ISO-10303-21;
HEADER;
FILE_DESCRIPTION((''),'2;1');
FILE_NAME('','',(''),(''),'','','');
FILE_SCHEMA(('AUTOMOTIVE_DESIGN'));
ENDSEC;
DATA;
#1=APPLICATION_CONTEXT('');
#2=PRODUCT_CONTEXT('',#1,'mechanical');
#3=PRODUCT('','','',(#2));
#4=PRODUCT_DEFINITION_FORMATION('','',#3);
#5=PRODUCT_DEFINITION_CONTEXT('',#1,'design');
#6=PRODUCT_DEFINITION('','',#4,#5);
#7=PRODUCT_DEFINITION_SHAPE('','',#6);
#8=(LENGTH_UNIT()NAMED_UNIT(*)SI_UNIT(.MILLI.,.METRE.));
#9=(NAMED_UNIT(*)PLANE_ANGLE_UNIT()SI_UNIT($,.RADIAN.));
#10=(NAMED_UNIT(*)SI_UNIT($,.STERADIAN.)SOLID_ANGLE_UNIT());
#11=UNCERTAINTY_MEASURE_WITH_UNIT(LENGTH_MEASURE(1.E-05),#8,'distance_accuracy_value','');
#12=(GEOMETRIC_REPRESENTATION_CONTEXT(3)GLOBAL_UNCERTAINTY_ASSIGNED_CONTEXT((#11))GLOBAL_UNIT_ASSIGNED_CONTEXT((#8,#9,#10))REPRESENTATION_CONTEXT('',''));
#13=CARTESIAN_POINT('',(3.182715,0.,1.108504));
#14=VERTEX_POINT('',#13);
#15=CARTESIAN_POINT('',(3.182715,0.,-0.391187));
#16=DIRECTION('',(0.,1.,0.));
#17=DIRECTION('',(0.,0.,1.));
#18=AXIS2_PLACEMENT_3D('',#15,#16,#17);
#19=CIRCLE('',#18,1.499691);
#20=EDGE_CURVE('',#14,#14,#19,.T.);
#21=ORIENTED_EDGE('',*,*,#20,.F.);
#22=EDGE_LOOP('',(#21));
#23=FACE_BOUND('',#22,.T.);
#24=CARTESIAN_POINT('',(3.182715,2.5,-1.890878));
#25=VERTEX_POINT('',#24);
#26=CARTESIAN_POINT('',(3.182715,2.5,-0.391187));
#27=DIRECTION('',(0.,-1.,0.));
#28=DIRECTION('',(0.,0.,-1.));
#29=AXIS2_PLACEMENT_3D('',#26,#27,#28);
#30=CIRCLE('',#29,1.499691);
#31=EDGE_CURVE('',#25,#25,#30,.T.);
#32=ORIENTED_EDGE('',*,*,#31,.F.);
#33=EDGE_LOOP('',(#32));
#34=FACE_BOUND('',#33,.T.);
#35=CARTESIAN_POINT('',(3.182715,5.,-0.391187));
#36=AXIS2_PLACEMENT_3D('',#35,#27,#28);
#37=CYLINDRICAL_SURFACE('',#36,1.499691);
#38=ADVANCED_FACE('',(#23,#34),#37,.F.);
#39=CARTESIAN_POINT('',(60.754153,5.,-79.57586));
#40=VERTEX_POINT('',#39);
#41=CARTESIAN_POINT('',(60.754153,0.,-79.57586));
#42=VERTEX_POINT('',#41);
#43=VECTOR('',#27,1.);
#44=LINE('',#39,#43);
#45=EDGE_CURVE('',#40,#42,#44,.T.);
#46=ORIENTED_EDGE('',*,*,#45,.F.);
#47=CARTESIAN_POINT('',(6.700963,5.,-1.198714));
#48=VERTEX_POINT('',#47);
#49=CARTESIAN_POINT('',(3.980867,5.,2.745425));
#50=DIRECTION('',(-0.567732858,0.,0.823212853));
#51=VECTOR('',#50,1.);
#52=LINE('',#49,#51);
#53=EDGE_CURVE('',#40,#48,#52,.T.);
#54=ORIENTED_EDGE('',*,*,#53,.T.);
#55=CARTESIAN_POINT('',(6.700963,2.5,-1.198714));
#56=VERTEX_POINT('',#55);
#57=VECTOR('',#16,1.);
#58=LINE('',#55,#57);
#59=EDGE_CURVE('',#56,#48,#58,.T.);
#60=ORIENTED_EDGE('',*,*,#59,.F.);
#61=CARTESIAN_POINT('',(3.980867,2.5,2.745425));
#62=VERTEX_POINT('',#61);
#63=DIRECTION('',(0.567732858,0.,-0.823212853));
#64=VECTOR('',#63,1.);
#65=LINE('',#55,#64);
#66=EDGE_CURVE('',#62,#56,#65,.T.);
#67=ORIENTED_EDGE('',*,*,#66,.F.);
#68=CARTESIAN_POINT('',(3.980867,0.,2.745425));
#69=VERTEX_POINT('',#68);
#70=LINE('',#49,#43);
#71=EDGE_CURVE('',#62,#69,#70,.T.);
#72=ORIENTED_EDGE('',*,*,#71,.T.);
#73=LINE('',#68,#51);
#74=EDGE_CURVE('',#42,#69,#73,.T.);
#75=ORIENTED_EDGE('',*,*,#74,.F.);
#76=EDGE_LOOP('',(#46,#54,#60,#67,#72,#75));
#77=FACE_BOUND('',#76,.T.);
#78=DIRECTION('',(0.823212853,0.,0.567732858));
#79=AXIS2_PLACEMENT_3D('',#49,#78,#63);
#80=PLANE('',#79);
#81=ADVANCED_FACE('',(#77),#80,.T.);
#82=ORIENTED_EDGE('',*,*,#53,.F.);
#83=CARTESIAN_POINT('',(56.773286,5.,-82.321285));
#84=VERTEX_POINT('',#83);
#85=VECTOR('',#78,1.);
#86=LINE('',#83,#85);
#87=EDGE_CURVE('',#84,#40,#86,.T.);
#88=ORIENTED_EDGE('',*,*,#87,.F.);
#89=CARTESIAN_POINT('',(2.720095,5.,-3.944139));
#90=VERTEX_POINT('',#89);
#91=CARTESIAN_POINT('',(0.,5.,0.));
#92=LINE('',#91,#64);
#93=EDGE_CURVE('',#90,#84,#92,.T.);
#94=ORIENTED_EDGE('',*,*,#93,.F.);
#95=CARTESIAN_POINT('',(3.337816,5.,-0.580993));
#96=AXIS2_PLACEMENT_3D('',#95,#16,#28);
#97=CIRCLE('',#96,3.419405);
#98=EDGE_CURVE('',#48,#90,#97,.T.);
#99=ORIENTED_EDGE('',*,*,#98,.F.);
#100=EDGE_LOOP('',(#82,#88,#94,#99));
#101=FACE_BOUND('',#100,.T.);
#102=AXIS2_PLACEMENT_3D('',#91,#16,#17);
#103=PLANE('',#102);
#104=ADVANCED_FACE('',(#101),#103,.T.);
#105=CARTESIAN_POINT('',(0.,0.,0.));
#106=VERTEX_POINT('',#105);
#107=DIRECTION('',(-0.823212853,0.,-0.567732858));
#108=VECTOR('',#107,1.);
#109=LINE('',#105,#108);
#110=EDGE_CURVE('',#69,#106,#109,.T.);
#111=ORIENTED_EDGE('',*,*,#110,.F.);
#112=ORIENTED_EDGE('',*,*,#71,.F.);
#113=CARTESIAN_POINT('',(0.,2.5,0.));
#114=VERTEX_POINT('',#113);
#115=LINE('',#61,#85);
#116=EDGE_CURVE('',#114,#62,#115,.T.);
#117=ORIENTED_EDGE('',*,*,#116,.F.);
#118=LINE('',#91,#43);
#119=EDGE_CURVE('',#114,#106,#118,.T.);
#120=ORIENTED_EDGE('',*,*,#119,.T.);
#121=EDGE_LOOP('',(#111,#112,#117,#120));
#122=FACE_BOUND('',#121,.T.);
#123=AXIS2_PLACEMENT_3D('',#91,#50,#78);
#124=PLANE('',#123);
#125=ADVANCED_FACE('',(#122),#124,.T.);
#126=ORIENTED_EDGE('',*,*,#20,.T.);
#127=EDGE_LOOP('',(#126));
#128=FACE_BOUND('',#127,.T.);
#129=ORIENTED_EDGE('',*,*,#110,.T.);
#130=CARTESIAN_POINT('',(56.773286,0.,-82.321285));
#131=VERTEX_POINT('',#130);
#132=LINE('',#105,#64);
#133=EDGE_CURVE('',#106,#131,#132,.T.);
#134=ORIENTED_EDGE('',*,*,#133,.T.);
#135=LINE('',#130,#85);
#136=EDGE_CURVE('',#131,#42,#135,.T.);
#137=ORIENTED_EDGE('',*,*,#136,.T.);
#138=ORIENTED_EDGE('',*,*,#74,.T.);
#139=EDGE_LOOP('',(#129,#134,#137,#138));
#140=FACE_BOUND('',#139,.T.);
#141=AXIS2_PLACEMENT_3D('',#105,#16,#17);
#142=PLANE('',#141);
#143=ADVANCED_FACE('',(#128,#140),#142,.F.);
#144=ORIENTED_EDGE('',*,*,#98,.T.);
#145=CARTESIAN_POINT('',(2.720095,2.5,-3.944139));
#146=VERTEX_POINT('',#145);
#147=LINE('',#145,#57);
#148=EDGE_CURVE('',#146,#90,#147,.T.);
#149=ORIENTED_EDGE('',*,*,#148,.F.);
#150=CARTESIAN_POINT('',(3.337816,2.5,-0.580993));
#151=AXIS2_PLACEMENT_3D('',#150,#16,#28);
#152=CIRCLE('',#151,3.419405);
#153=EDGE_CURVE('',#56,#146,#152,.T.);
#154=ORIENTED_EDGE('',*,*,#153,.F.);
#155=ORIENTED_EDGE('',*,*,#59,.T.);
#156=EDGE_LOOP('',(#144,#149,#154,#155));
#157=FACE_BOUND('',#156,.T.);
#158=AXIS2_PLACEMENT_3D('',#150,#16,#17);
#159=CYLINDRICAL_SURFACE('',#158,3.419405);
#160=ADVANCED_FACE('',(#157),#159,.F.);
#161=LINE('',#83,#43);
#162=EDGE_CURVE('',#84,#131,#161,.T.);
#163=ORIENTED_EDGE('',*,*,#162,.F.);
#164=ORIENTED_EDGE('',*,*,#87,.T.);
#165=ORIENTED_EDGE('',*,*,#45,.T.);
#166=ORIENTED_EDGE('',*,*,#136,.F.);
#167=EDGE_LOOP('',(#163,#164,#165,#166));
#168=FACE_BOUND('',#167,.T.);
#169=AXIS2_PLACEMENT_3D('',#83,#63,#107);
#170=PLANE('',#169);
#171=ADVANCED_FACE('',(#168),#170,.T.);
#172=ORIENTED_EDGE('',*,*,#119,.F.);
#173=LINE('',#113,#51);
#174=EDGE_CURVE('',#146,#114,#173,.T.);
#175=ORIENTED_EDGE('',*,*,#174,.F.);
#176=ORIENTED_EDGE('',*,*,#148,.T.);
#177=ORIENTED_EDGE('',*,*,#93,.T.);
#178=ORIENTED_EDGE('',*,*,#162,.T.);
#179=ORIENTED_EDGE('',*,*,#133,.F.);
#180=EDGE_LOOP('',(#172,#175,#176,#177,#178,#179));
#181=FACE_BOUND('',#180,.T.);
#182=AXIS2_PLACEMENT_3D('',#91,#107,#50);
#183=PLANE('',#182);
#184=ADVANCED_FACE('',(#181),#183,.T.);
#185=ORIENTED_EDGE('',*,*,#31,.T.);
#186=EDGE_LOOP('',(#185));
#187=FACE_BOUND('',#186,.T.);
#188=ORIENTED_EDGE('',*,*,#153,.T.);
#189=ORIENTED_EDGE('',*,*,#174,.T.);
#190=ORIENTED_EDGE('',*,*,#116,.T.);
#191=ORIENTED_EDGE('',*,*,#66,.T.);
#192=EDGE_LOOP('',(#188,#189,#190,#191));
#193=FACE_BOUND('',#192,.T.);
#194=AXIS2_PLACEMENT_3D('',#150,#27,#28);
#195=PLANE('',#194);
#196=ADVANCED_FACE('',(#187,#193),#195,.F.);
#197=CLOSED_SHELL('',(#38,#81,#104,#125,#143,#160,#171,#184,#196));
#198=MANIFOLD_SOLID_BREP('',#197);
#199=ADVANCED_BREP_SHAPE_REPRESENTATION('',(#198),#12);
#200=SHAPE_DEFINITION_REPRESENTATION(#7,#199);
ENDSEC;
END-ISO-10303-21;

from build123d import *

# Parameters (mm, degrees)
SKETCH1_R           = 1.499690954
BOSS_EXTRUDE2_DEPTH = 5
CUT_EXTRUDE3_DEPTH  = 2.5


with BuildPart() as part:
    # Sketch1 → Boss-Extrude2 (new body)
    with BuildSketch(Plane(origin=(0, 0, 0), x_dir=(1, 0, 0), z_dir=(0, 1, 0))):
        Polygon((0, 0), (56.773285815, 82.321285326), (60.754153273, 79.57586019), (3.980867458, -2.745425136), align=None)
        with Locations(Location((3.182714522, 0.391186569, 0), (0, 0, 270))):
            Circle(SKETCH1_R, mode=Mode.SUBTRACT)
    extrude(amount=BOSS_EXTRUDE2_DEPTH)

    # Sketch2 → Cut-Extrude3 (cut)
    with BuildSketch(Plane(origin=(0, 5, 0), x_dir=(1, 0, 0), z_dir=(0, 1, 0))):
        with BuildLine():
            Line((6.700962503, 1.19871368), (3.980867458, -2.745425136))
            Line((3.980867458, -2.745425136), (0, 0))
            Line((0, 0), (2.720095045, 3.944138817))
            ThreePointArc((2.720095045, 3.944138817), (5.279124937, 3.395890894), (6.700962503, 1.19871368))
        make_face()
    extrude(amount=-CUT_EXTRUDE3_DEPTH, mode=Mode.SUBTRACT)


solid = part.part
